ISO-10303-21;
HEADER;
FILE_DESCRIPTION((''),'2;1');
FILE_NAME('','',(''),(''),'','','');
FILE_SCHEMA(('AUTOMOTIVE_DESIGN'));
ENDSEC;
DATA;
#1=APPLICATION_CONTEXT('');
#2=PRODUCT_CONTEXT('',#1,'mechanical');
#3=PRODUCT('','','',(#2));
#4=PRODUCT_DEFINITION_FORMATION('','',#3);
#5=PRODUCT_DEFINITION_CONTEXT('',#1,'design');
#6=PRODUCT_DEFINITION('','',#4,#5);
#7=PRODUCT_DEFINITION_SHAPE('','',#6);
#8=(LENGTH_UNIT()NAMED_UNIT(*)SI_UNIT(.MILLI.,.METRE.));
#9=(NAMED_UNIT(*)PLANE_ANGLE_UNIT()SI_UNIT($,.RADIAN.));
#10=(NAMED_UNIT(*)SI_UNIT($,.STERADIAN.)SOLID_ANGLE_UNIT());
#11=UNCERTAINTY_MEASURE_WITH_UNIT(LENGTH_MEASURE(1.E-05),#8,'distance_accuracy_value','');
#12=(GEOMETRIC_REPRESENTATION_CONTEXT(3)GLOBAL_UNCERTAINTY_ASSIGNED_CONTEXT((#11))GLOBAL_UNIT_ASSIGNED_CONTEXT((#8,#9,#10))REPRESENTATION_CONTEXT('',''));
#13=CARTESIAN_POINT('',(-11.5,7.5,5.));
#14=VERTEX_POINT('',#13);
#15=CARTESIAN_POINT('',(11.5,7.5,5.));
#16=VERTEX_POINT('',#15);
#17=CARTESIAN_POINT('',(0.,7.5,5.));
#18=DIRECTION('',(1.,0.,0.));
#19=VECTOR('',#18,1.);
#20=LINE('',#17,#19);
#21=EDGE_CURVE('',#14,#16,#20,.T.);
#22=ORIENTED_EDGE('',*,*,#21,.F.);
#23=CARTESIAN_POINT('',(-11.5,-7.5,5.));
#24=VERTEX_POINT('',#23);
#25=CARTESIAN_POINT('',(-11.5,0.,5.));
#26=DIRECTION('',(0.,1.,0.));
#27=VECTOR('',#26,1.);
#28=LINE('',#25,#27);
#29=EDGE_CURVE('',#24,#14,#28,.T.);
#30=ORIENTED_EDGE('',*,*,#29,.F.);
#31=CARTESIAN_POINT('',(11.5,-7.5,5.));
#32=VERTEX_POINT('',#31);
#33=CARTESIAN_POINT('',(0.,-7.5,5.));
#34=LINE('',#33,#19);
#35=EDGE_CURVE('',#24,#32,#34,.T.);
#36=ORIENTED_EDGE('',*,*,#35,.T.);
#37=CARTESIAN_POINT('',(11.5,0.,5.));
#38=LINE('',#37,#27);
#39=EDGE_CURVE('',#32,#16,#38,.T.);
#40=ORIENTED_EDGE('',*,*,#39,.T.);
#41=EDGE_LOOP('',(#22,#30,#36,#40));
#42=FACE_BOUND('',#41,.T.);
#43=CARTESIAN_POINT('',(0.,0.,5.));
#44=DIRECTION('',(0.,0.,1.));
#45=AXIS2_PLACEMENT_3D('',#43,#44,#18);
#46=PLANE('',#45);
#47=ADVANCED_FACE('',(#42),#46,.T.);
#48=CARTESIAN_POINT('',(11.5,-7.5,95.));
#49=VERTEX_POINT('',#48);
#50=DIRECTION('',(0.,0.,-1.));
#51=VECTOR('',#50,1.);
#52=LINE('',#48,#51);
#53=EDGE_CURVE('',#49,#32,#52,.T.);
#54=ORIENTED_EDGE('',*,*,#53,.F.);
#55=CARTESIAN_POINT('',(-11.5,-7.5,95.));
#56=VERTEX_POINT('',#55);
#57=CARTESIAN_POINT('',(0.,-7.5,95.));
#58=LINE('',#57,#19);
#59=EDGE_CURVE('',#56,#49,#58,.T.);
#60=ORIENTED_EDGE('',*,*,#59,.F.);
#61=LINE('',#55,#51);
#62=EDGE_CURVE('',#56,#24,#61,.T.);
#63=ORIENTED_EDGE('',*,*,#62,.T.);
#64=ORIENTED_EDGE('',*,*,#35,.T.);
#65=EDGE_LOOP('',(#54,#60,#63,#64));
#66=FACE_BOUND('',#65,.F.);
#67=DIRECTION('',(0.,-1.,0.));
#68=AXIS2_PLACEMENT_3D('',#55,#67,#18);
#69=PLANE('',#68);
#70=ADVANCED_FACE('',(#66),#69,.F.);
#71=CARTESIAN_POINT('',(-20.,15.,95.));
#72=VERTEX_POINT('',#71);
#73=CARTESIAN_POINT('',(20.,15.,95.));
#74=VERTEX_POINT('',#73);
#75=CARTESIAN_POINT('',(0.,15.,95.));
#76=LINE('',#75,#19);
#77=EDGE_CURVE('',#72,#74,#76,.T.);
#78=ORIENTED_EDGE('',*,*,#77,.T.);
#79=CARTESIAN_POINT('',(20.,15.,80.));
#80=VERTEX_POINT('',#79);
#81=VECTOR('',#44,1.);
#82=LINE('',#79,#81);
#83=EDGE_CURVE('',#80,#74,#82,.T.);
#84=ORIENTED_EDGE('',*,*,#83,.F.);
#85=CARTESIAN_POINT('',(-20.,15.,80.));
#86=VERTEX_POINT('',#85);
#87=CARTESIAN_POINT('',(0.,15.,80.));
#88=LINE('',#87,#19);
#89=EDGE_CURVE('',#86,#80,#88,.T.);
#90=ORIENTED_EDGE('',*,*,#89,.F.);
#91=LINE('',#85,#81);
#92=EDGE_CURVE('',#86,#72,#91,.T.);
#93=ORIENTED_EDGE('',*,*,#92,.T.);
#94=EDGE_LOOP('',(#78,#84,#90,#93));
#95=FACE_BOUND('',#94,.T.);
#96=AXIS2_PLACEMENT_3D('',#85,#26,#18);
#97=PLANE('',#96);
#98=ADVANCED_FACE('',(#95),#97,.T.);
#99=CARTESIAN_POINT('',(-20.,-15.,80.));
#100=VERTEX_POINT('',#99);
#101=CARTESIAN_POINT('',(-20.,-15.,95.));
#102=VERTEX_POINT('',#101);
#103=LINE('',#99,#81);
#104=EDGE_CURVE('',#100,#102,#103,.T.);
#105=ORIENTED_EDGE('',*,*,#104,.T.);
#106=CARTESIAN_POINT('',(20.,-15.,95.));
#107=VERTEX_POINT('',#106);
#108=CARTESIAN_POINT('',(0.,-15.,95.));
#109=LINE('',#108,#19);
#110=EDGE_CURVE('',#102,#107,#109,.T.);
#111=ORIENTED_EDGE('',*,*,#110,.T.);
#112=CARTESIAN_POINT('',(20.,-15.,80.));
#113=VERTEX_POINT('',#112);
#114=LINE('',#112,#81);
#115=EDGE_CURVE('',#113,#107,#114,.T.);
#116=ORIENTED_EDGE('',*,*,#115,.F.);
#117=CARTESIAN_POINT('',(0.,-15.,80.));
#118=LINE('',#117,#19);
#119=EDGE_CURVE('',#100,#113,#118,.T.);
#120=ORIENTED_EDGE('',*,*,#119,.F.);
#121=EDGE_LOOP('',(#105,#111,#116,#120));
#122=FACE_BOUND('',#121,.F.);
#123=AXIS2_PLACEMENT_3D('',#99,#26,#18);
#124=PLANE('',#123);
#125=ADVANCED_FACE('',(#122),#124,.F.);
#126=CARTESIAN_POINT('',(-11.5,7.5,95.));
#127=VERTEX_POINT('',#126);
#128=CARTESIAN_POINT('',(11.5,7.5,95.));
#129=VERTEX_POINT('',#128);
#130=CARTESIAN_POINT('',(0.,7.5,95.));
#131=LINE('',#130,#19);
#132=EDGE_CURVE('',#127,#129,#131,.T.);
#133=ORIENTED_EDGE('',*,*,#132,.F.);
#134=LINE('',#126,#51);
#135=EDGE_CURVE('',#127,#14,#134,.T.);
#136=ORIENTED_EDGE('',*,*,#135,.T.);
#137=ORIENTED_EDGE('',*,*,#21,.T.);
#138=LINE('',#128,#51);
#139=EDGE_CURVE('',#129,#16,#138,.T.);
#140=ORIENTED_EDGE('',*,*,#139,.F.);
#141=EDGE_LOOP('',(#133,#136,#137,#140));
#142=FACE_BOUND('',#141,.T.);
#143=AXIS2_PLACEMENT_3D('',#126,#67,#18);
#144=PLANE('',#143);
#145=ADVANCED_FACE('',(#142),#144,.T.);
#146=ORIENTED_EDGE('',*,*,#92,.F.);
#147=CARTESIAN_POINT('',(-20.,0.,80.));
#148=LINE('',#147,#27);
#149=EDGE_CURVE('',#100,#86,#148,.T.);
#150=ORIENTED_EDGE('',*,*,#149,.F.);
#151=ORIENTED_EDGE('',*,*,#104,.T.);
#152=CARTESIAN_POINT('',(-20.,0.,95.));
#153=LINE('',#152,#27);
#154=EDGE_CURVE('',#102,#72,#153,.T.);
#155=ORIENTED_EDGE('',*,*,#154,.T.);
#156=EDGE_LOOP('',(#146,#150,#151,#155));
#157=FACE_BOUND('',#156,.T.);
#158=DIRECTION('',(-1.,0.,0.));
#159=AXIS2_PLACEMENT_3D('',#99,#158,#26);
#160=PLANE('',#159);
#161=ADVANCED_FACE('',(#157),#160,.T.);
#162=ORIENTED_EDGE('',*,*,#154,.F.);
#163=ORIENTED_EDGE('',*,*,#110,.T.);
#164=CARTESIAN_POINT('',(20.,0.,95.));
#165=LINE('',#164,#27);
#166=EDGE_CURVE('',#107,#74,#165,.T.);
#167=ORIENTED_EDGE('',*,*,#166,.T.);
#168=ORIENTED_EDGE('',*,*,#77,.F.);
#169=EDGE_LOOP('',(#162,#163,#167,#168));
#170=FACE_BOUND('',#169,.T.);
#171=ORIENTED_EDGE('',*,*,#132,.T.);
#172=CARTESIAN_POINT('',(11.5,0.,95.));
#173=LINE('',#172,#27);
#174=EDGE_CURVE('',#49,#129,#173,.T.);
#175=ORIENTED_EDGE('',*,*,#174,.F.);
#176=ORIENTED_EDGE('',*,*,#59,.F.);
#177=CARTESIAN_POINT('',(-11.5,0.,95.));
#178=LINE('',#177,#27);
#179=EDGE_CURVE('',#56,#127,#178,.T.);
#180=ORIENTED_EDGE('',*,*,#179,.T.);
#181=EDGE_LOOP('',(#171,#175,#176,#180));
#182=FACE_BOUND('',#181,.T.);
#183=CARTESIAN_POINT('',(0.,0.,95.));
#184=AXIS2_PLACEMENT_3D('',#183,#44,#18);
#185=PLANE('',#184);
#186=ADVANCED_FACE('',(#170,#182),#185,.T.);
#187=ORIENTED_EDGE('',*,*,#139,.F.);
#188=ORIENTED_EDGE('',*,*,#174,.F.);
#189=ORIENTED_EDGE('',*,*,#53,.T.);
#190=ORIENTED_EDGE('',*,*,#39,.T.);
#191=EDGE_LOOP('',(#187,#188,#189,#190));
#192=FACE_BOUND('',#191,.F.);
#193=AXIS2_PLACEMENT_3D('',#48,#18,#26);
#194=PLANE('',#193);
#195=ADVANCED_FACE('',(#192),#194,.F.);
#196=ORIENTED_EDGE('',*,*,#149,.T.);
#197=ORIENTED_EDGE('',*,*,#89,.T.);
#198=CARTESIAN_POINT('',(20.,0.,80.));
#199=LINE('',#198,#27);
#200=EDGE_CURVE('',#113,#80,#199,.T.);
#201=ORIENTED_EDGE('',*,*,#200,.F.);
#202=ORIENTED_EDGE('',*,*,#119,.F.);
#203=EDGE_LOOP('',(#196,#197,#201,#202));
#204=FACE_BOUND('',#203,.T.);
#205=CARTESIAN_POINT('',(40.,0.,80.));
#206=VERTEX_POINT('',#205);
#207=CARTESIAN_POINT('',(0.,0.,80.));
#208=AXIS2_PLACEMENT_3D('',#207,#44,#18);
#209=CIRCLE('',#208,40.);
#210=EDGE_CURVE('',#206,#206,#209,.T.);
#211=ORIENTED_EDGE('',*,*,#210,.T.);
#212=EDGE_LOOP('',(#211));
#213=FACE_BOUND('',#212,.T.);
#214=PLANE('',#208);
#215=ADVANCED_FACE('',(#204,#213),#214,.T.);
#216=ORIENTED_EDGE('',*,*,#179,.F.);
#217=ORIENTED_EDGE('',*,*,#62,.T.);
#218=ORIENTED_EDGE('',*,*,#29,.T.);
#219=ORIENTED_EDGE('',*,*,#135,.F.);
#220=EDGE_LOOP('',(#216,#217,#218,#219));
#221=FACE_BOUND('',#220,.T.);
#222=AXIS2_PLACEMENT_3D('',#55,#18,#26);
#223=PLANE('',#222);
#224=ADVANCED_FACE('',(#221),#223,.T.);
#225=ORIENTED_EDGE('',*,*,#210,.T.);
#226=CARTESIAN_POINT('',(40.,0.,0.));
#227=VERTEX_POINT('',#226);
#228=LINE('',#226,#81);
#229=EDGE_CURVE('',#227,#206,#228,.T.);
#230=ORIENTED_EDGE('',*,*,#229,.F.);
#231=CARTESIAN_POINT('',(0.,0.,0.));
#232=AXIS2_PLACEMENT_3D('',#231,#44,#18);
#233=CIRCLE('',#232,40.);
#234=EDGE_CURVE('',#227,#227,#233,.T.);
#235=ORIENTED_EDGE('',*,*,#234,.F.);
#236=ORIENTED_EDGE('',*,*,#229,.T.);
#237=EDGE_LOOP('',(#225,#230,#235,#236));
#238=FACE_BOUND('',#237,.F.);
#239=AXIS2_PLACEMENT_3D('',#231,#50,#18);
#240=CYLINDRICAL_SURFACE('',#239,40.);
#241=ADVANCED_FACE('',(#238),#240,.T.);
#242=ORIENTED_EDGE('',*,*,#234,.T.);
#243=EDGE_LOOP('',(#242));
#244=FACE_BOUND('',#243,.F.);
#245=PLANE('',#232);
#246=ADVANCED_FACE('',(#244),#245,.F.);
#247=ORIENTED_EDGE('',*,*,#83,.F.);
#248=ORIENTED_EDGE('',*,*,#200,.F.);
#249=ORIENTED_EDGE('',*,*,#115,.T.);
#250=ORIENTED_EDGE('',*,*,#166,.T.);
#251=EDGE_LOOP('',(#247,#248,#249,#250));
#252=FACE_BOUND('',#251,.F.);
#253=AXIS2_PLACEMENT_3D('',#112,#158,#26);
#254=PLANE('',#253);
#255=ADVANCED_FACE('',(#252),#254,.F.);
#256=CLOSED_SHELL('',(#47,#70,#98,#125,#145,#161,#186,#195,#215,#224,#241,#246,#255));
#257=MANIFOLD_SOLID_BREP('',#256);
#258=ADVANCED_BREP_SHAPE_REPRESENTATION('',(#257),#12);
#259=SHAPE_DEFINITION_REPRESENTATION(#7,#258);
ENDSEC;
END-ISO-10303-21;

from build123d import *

# Parameters (mm, degrees)
F0_R     = 40
F1_DEPTH = 80
F2_W     = 40
F2_H     = 30
F3_DEPTH = 15
F4_W     = 23
F4_H     = 15
F5_DEPTH = 90


with BuildPart() as f1:
    # F0 (on Top) → F1 (new body)
    with BuildSketch(Plane.XY):
        Circle(F0_R)
    extrude(amount=F1_DEPTH)

    # F2 (on face) → F3 (join)
    with BuildSketch(Plane.XY.offset(80)):
        Rectangle(F2_W, F2_H)
    extrude(amount=F3_DEPTH)

    # F4 (on face) → F5 (cut)
    with BuildSketch(Plane.XY.offset(95)):
        Rectangle(F4_W, F4_H)
    extrude(amount=-F5_DEPTH, mode=Mode.SUBTRACT)


solid = f1.part
